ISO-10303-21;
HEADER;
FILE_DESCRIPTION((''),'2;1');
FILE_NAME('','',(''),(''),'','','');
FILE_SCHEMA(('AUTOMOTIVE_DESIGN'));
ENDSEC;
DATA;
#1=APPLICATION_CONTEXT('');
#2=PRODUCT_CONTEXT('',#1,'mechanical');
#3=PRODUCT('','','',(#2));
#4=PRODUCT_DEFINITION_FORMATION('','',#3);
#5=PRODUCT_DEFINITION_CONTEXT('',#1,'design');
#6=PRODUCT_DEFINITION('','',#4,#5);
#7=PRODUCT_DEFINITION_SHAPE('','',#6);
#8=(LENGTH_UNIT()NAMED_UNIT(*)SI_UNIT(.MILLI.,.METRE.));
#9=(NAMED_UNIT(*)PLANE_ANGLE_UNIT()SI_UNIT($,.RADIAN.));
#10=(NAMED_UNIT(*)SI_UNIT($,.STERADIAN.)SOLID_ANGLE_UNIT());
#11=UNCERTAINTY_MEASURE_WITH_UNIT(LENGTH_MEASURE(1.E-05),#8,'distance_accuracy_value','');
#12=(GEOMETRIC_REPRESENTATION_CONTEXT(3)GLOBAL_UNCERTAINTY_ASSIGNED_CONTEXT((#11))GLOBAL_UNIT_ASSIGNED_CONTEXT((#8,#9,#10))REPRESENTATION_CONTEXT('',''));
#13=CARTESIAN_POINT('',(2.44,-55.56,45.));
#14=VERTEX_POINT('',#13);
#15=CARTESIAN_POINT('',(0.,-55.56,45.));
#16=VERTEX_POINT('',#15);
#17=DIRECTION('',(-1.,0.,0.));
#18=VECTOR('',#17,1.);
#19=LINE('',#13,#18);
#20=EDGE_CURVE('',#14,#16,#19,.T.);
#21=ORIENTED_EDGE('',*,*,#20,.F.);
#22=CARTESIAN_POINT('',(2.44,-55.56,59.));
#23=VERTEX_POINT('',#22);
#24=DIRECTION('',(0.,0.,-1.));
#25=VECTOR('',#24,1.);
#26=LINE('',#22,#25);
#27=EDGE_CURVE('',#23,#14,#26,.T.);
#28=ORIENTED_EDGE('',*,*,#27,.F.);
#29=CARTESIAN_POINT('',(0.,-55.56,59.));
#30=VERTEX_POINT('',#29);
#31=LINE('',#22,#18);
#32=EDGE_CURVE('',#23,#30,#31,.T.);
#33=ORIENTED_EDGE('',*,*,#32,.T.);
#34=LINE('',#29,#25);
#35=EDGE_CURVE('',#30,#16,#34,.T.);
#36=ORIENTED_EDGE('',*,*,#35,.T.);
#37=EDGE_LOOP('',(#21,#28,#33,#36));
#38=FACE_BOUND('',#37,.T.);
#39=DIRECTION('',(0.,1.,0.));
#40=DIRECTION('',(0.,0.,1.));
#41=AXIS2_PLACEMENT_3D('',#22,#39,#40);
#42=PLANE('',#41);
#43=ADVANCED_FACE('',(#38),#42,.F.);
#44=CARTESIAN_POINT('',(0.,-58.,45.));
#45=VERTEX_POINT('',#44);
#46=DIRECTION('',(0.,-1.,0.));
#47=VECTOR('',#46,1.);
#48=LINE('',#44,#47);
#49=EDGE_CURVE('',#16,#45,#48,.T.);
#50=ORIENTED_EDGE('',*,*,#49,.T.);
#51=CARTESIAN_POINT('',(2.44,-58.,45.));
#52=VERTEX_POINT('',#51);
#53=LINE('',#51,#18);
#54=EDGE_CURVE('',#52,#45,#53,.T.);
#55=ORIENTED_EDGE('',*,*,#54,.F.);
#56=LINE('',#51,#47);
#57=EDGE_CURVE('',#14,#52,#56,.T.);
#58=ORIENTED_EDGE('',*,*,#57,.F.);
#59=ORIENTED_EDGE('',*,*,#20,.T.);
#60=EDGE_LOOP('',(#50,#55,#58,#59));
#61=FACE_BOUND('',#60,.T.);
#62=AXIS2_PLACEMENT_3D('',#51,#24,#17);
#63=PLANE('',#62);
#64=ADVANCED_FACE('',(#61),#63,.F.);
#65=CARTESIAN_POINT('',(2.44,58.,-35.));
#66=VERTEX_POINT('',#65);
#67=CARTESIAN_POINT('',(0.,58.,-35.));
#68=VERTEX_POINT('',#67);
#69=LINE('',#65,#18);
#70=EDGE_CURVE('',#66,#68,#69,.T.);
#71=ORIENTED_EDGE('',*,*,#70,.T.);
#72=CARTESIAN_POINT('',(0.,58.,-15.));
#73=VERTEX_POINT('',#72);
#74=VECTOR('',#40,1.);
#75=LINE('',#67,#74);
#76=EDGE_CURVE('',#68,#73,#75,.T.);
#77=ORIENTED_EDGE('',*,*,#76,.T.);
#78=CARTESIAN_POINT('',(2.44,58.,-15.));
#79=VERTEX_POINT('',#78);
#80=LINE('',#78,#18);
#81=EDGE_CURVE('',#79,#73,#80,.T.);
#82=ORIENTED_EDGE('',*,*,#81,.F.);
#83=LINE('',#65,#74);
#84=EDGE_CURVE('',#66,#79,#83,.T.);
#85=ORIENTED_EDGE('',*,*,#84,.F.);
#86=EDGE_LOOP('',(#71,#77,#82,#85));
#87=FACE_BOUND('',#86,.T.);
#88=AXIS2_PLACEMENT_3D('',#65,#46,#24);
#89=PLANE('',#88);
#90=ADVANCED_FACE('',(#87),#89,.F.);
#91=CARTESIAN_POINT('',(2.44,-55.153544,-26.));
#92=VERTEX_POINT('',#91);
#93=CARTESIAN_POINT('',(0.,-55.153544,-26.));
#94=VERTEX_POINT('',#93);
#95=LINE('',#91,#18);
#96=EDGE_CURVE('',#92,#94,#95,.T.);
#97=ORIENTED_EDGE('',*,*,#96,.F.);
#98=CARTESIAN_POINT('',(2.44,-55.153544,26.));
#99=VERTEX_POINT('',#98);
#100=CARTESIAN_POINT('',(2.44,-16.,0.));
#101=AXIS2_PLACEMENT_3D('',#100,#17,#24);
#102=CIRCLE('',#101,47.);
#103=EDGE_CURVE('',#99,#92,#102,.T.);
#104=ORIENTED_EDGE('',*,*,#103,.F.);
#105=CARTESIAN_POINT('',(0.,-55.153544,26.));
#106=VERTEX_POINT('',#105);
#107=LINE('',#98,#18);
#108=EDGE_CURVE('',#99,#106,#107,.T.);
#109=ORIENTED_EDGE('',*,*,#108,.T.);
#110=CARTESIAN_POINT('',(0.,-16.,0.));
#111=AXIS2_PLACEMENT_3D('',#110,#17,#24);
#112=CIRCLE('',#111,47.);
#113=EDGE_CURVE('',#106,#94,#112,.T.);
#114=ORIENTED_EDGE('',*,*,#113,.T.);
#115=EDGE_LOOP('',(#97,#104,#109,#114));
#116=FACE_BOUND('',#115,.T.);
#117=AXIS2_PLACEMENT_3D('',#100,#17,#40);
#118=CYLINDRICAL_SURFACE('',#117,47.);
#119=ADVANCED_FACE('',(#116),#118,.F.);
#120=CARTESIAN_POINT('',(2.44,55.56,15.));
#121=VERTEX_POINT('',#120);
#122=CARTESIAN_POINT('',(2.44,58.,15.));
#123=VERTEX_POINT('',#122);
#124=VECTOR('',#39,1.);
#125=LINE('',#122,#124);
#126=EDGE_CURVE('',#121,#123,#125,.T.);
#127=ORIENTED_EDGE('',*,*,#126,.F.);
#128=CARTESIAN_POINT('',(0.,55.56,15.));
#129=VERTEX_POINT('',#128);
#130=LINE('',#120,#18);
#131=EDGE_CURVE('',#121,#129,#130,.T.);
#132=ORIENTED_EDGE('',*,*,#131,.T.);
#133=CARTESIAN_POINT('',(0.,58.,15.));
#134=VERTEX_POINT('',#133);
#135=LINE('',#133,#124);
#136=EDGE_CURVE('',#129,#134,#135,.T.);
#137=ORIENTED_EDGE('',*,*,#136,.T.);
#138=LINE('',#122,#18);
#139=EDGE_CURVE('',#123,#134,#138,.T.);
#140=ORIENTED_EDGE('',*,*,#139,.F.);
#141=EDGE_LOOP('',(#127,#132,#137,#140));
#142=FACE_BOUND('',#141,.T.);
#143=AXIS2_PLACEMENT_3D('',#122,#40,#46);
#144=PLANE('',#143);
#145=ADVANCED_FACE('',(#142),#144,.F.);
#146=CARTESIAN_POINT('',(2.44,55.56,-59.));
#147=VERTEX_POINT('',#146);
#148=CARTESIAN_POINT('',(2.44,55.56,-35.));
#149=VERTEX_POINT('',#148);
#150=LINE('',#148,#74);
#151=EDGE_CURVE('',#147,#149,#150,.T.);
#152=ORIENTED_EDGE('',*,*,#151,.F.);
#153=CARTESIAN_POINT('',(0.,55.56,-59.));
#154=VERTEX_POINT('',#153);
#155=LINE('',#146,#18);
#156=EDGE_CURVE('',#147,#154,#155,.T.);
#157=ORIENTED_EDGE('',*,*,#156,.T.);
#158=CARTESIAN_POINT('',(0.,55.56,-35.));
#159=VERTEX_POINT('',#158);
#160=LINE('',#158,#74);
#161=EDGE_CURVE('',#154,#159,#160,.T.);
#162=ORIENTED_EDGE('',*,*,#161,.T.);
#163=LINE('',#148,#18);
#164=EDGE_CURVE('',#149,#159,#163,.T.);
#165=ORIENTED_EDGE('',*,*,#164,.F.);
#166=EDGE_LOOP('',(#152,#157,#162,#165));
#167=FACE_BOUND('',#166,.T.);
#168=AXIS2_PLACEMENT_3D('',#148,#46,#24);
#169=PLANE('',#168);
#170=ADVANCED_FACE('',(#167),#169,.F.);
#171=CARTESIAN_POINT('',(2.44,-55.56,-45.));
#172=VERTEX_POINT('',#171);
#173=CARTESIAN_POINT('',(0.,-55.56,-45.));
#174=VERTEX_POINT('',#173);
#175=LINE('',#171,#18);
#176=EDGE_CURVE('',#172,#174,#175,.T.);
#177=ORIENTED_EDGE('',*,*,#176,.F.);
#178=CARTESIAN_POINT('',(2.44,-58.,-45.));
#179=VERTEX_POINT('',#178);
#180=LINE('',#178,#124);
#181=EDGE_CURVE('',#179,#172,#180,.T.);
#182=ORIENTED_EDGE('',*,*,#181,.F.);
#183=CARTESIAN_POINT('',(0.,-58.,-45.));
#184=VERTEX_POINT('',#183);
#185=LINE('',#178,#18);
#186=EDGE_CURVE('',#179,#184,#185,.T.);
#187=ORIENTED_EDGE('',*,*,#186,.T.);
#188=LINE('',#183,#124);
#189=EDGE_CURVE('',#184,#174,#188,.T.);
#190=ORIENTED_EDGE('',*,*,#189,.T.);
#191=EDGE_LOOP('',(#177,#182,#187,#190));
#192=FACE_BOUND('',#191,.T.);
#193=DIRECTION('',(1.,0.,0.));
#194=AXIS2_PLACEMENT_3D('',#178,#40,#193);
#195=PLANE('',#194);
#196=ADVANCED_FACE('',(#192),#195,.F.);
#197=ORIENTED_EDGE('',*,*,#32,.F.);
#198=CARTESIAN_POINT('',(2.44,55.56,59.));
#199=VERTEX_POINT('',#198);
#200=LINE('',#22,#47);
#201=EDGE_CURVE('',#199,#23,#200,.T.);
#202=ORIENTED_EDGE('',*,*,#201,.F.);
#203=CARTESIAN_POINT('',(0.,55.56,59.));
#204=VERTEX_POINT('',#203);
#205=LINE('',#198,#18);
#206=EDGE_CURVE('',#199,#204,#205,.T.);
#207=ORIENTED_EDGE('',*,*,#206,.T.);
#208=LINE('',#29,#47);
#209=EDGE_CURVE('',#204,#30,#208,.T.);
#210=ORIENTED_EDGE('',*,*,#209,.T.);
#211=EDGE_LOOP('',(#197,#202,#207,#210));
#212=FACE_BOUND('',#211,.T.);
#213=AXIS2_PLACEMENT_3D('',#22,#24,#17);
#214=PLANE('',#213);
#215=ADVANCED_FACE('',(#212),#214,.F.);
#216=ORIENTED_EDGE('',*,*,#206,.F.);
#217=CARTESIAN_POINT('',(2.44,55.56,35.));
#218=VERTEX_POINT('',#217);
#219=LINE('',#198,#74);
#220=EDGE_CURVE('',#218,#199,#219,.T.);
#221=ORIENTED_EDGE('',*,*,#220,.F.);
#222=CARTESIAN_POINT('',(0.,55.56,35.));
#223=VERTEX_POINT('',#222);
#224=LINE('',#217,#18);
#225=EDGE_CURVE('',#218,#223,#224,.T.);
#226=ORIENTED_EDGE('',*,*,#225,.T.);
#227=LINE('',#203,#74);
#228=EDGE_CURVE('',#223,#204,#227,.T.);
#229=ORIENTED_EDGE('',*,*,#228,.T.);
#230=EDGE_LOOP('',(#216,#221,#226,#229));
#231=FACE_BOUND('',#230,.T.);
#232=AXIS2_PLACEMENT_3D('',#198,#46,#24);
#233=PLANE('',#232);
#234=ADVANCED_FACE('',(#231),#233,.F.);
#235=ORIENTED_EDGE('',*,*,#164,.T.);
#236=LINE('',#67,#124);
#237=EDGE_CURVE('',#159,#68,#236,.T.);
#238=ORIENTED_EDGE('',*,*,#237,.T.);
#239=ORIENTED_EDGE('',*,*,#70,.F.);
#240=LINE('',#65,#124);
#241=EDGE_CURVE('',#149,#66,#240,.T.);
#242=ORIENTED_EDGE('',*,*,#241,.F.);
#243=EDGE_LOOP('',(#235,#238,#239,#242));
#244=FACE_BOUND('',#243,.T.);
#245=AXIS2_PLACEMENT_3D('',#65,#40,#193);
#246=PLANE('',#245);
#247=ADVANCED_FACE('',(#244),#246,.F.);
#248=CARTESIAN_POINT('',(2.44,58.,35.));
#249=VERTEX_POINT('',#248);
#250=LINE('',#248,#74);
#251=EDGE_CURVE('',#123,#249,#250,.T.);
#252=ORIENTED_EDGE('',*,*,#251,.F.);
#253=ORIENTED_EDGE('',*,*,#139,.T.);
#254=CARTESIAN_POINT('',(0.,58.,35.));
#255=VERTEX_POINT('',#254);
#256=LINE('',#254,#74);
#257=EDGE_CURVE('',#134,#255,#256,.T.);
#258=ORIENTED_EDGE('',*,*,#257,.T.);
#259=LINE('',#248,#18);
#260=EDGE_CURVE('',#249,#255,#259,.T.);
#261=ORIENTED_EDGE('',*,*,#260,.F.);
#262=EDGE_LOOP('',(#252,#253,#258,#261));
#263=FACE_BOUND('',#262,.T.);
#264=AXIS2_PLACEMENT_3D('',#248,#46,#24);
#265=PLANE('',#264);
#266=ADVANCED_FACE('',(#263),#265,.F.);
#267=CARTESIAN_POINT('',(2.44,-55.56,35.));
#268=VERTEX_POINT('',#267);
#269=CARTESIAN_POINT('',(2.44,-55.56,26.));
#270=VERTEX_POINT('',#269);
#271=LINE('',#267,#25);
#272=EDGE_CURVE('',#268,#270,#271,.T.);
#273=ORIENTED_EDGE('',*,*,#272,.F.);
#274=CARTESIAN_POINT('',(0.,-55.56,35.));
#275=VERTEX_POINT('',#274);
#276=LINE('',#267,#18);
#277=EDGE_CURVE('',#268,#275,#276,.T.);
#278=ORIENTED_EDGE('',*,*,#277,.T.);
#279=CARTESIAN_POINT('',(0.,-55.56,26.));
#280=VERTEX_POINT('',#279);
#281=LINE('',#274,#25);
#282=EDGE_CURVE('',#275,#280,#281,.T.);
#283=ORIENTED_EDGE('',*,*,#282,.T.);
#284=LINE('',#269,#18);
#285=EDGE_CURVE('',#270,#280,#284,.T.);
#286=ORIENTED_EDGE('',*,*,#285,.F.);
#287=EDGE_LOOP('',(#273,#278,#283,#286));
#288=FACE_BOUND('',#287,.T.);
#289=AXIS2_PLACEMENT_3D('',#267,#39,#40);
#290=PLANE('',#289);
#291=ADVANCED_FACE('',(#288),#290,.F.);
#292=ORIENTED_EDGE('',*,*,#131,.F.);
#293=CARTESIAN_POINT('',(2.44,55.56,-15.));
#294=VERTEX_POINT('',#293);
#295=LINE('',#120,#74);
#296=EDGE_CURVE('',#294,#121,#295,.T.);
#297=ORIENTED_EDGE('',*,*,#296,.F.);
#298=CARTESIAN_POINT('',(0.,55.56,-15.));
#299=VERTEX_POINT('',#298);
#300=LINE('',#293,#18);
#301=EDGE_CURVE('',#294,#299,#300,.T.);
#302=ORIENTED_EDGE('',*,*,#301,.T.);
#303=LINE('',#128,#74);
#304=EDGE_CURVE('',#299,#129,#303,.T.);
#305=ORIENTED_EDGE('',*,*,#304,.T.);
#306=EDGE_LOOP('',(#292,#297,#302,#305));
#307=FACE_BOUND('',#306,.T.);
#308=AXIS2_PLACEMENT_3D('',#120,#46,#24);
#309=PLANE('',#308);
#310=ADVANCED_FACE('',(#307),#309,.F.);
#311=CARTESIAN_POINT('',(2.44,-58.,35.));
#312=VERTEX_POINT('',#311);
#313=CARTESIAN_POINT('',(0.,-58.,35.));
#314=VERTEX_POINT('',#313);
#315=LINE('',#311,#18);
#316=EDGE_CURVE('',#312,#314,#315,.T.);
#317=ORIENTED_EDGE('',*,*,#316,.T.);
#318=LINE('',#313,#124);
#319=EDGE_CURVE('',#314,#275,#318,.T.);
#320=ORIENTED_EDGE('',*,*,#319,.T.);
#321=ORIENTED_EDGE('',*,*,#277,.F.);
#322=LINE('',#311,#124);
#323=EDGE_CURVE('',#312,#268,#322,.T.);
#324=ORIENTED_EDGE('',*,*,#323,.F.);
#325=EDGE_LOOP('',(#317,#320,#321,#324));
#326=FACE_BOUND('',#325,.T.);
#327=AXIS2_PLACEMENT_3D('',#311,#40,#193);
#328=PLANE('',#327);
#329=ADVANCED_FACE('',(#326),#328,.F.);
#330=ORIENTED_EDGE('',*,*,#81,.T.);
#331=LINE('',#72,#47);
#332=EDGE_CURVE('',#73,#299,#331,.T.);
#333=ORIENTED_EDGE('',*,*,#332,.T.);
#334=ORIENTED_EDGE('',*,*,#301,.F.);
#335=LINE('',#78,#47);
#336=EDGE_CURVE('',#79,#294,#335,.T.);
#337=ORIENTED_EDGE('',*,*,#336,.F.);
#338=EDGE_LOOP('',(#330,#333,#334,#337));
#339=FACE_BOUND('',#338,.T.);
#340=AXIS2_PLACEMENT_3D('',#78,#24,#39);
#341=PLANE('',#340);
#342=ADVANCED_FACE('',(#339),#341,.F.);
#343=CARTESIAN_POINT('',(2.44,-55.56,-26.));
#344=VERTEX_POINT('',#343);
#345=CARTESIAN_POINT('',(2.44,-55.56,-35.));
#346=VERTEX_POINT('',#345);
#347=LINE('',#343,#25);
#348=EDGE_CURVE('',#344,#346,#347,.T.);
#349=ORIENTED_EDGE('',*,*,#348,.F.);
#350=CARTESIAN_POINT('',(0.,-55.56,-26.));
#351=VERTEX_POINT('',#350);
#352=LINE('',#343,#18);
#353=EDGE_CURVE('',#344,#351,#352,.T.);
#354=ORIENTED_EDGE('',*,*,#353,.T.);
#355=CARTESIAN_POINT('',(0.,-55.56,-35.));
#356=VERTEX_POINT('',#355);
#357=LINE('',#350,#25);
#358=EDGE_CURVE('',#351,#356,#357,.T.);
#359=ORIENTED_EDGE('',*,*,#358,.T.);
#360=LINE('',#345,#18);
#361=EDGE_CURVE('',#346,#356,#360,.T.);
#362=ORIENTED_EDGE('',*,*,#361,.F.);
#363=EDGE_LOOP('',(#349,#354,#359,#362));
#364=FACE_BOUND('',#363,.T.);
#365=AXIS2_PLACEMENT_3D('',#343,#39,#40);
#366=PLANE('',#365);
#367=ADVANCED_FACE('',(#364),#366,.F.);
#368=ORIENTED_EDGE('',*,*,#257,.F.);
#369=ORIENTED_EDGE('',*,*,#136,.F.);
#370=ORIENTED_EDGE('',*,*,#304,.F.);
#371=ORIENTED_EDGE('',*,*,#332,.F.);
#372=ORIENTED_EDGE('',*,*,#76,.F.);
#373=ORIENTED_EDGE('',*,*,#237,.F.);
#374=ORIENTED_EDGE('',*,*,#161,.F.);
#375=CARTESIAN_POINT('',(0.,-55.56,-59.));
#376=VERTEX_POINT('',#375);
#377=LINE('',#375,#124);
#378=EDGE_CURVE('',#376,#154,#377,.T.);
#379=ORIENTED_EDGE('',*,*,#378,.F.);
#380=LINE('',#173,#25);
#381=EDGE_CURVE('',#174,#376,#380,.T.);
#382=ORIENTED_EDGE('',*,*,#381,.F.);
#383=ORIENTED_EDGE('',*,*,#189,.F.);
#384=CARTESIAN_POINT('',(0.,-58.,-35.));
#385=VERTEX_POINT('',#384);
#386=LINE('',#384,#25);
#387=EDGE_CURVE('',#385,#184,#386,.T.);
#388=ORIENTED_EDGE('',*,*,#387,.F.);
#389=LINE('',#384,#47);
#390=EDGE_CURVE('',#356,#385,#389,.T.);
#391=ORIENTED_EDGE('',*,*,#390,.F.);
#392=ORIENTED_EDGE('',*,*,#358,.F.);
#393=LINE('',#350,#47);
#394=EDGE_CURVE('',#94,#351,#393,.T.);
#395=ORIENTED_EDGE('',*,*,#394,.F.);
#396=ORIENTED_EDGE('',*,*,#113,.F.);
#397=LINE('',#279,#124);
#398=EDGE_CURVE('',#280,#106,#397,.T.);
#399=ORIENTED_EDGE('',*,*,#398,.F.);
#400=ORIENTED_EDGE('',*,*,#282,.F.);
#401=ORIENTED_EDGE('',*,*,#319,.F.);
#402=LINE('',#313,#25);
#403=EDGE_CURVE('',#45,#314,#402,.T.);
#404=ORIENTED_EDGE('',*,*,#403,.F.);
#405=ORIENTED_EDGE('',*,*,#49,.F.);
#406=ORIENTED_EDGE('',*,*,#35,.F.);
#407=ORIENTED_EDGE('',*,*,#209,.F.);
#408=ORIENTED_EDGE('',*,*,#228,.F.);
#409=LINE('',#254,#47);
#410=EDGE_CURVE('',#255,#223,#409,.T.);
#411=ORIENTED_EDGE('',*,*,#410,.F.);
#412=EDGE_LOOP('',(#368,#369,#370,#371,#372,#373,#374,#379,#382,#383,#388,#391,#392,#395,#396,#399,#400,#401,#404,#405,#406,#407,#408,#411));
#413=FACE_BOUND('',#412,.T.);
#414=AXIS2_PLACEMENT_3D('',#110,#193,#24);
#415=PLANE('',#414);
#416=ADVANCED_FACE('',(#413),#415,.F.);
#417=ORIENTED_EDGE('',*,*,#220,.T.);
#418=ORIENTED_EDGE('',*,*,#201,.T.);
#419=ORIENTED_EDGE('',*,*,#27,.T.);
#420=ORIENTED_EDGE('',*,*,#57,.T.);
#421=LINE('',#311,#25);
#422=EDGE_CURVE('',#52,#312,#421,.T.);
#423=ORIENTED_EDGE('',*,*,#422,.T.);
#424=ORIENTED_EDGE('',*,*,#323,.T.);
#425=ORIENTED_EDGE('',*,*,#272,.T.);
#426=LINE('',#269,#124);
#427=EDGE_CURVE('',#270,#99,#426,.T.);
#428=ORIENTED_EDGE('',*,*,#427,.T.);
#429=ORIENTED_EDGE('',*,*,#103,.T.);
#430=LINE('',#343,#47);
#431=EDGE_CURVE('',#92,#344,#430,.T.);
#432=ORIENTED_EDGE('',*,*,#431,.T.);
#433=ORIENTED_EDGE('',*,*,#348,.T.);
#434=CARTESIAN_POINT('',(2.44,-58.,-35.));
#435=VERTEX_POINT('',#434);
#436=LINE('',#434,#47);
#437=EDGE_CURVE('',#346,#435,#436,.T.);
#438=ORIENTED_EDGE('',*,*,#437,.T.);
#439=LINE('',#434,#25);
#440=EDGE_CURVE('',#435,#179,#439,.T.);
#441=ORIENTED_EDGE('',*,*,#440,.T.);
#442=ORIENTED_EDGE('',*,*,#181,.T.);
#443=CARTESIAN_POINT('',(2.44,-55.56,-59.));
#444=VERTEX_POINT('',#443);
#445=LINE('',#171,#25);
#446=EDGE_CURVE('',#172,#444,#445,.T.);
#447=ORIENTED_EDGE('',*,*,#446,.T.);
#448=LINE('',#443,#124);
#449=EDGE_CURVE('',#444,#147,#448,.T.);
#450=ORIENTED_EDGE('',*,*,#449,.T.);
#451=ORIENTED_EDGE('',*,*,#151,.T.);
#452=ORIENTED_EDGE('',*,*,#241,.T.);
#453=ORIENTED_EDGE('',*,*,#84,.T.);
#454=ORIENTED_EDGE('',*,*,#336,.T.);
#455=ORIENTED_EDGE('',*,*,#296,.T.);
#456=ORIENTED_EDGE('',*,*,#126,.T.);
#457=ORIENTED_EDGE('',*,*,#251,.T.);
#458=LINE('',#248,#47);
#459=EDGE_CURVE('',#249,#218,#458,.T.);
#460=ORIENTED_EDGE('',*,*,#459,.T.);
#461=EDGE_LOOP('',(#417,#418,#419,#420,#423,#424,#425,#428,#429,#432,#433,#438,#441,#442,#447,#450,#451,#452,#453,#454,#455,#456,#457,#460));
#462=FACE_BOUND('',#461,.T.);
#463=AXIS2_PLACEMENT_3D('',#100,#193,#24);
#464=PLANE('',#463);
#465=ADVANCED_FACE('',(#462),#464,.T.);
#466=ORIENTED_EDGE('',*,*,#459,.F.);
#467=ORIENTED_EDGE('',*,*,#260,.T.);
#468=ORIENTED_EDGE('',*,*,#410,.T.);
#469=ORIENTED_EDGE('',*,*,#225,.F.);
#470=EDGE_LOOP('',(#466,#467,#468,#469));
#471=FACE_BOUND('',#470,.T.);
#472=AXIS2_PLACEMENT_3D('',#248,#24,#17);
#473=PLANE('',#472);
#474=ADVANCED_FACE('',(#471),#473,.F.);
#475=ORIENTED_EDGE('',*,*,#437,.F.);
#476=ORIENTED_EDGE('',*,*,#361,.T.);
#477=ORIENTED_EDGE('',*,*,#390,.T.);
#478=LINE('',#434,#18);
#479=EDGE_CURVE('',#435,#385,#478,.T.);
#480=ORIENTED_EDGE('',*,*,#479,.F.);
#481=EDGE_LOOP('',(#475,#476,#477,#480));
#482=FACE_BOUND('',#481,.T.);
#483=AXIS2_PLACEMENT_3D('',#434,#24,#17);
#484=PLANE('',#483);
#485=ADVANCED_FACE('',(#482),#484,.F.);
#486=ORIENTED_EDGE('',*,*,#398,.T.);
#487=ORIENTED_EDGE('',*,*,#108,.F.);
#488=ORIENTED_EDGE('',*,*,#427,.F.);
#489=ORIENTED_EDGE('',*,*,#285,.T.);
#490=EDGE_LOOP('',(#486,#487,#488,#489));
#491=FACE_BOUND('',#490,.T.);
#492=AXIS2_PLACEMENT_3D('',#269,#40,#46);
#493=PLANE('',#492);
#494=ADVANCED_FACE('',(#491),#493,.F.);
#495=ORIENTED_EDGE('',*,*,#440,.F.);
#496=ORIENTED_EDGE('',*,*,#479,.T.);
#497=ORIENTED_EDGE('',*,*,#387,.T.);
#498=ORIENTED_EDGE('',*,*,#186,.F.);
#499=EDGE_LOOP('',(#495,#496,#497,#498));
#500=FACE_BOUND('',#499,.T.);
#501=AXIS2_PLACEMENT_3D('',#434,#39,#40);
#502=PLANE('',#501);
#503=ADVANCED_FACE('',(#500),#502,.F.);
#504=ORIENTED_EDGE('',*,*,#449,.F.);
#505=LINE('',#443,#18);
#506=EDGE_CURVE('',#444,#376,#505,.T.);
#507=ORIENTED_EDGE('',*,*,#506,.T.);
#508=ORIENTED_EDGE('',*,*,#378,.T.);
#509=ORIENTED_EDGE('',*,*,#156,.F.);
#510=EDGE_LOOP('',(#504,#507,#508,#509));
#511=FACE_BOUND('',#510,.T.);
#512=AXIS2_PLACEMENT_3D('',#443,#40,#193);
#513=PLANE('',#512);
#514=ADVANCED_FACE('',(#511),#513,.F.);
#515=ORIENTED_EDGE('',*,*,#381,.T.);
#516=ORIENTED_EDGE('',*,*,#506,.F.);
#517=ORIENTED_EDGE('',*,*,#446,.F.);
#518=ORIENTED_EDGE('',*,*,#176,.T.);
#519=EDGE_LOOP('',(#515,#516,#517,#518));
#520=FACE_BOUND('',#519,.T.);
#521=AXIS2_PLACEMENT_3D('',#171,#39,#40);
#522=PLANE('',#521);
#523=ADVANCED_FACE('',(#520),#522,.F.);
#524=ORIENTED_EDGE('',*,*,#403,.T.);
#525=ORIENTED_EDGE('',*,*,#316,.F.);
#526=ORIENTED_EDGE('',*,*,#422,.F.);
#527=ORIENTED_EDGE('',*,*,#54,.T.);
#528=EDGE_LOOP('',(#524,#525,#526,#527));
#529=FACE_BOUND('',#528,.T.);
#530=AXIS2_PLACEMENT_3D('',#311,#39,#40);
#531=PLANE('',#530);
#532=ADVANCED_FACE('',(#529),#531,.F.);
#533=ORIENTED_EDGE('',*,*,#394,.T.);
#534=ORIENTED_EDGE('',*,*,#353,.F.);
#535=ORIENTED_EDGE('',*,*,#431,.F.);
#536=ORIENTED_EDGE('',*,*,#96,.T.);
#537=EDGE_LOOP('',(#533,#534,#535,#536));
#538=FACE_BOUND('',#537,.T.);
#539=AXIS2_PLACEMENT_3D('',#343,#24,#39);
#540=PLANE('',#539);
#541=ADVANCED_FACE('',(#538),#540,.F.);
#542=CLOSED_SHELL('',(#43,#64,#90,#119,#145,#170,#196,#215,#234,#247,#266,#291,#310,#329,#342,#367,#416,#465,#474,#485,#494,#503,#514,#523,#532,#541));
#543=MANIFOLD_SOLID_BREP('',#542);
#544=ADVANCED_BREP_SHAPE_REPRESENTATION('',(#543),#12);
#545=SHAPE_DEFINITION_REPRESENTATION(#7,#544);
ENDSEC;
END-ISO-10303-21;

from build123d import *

# Parameters (mm, degrees)
SALIENTE_EXTRUIR1_DEPTH = 2.44


with BuildPart() as part:
    # Croquis1 → Saliente-Extruir1 (new body)
    with BuildSketch(Plane(origin=(0, 0, 0), x_dir=(0, 0, -1), z_dir=(1, 0, 0))):
        with BuildLine():
            Line((26, -55.56), (26, -55.153543901))
            ThreePointArc((26, -55.153543901), (0, 31), (-26, -55.153543901))
            Line((-26, -55.153543901), (-26, -55.56))
            Line((-26, -55.56), (-35, -55.56))
            Line((-35, -55.56), (-35, -58))
            Line((-35, -58), (-45, -58))
            Line((-45, -58), (-45, -55.56))
            Line((-45, -55.56), (-59, -55.56))
            Line((-59, -55.56), (-59, 55.56))
            Line((-59, 55.56), (-35, 55.56))
            Line((-35, 55.56), (-35, 58))
            Line((-35, 58), (-15, 58))
            Line((-15, 58), (-15, 55.56))
            Line((-15, 55.56), (15, 55.56))
            Line((15, 55.56), (15, 58))
            Line((15, 58), (35, 58))
            Line((35, 58), (35, 55.56))
            Line((35, 55.56), (59, 55.56))
            Line((59, 55.56), (59, -55.56))
            Line((59, -55.56), (45, -55.56))
            Line((45, -55.56), (45, -58))
            Line((45, -58), (35, -58))
            Line((35, -58), (35, -55.56))
            Line((35, -55.56), (26, -55.56))
        make_face()
    extrude(amount=SALIENTE_EXTRUIR1_DEPTH)


solid = part.part
